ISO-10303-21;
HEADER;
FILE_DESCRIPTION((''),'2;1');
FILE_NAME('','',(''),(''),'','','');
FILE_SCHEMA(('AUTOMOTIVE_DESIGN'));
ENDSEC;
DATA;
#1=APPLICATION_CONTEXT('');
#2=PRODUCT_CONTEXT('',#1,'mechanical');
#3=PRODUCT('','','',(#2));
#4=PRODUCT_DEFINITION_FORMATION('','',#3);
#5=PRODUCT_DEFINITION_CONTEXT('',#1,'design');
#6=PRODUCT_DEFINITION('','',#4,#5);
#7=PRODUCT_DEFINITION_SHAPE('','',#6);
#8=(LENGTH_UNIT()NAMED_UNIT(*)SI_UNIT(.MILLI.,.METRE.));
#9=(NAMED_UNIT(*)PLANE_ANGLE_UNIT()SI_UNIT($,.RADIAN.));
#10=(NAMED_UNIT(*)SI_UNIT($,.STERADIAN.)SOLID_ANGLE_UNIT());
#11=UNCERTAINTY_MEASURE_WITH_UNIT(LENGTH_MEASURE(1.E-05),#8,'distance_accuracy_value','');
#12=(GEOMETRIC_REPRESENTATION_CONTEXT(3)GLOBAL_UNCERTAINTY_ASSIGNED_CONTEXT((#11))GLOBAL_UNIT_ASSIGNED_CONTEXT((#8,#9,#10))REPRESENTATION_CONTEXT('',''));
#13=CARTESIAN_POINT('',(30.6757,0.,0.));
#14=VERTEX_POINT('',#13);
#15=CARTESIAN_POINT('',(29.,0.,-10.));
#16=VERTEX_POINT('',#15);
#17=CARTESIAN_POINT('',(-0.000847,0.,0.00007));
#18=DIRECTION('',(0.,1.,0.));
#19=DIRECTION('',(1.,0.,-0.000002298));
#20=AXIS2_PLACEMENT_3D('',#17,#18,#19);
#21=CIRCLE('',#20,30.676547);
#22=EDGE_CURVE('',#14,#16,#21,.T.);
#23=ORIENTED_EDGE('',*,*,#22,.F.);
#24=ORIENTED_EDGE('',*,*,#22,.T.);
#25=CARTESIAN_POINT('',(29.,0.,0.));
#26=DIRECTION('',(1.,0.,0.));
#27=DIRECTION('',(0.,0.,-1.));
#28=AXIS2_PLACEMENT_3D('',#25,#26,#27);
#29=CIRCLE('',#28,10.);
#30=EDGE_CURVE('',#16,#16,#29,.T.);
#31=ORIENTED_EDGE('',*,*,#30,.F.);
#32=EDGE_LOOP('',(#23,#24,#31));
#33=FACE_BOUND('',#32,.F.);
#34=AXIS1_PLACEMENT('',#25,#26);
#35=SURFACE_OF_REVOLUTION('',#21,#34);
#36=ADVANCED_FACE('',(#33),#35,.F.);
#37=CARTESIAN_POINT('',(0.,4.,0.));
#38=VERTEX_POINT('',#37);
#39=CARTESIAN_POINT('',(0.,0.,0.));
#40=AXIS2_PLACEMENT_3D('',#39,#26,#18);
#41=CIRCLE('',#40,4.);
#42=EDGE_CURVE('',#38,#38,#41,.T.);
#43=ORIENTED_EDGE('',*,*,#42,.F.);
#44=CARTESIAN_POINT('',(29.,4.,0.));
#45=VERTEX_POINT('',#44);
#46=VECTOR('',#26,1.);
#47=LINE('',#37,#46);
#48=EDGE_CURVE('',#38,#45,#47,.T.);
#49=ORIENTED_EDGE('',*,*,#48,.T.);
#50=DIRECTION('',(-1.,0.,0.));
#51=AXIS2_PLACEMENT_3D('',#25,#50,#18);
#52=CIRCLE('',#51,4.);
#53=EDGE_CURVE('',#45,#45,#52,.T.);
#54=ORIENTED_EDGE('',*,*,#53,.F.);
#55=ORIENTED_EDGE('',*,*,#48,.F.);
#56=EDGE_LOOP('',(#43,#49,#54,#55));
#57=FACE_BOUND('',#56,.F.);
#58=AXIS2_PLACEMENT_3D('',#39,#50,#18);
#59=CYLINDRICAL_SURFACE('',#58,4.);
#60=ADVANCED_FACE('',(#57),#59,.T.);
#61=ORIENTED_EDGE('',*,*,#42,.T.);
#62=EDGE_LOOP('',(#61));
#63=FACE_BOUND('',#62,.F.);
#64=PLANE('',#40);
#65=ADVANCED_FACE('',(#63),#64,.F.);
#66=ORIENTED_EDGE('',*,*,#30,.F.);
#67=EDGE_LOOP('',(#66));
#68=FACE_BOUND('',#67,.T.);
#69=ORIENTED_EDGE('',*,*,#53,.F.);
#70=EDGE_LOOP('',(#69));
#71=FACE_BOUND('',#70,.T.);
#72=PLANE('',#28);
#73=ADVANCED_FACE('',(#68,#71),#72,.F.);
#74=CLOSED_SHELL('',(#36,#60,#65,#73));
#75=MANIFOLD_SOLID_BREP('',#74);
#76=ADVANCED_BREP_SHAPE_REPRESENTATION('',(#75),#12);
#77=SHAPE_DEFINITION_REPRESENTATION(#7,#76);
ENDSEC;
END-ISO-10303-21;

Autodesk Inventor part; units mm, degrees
ref_plane "YZ Plane" through (0, 0, 0) normal (1, 0, 0) x (0, 1, 0)
ref_plane "XZ Plane" through (0, 0, 0) normal (0, 1, 0) x (-1, 0, 0)
ref_plane "XY Plane" through (0, 0, 0) normal (0, 0, 1) x (1, 0, 0)
sketch "Náčrt1" plane through (0, 0, 0) normal (1, 0, 0) x (0, 1, 0)
  circle A0 centre (0, 0) radius 4
  dimension "d0" = 8
extrude "Vysunutí1" add sketch "Náčrt1" along normal blind 29
sketch "Náčrt2" plane through (0, 0, 0) normal (0, 1, 0) x (-1, 0, 0)
  line L0 (-29, 4) -> (-29, -4) projected
  line L1 (0, -4) -> (0, 4) projected
  line L2 (-29, 0) -> (-29, -10)
  arc A0 (-30.6757, 0) -> (-29, -10) centre (0, 0) ccw
  line L3 (-29, 0) -> (-30.6757, 0)
  dimension "d3" = 10
revolve "Rotace1" add sketch "Náčrt2" angle 360 about axis through (29, 0, 0) along (1, 0, 0)
thread "Závit1" size "M8x1.25" class "6g" standard "ANSI Metric M Profile" full length
properties part number "Šroub M8x24"
